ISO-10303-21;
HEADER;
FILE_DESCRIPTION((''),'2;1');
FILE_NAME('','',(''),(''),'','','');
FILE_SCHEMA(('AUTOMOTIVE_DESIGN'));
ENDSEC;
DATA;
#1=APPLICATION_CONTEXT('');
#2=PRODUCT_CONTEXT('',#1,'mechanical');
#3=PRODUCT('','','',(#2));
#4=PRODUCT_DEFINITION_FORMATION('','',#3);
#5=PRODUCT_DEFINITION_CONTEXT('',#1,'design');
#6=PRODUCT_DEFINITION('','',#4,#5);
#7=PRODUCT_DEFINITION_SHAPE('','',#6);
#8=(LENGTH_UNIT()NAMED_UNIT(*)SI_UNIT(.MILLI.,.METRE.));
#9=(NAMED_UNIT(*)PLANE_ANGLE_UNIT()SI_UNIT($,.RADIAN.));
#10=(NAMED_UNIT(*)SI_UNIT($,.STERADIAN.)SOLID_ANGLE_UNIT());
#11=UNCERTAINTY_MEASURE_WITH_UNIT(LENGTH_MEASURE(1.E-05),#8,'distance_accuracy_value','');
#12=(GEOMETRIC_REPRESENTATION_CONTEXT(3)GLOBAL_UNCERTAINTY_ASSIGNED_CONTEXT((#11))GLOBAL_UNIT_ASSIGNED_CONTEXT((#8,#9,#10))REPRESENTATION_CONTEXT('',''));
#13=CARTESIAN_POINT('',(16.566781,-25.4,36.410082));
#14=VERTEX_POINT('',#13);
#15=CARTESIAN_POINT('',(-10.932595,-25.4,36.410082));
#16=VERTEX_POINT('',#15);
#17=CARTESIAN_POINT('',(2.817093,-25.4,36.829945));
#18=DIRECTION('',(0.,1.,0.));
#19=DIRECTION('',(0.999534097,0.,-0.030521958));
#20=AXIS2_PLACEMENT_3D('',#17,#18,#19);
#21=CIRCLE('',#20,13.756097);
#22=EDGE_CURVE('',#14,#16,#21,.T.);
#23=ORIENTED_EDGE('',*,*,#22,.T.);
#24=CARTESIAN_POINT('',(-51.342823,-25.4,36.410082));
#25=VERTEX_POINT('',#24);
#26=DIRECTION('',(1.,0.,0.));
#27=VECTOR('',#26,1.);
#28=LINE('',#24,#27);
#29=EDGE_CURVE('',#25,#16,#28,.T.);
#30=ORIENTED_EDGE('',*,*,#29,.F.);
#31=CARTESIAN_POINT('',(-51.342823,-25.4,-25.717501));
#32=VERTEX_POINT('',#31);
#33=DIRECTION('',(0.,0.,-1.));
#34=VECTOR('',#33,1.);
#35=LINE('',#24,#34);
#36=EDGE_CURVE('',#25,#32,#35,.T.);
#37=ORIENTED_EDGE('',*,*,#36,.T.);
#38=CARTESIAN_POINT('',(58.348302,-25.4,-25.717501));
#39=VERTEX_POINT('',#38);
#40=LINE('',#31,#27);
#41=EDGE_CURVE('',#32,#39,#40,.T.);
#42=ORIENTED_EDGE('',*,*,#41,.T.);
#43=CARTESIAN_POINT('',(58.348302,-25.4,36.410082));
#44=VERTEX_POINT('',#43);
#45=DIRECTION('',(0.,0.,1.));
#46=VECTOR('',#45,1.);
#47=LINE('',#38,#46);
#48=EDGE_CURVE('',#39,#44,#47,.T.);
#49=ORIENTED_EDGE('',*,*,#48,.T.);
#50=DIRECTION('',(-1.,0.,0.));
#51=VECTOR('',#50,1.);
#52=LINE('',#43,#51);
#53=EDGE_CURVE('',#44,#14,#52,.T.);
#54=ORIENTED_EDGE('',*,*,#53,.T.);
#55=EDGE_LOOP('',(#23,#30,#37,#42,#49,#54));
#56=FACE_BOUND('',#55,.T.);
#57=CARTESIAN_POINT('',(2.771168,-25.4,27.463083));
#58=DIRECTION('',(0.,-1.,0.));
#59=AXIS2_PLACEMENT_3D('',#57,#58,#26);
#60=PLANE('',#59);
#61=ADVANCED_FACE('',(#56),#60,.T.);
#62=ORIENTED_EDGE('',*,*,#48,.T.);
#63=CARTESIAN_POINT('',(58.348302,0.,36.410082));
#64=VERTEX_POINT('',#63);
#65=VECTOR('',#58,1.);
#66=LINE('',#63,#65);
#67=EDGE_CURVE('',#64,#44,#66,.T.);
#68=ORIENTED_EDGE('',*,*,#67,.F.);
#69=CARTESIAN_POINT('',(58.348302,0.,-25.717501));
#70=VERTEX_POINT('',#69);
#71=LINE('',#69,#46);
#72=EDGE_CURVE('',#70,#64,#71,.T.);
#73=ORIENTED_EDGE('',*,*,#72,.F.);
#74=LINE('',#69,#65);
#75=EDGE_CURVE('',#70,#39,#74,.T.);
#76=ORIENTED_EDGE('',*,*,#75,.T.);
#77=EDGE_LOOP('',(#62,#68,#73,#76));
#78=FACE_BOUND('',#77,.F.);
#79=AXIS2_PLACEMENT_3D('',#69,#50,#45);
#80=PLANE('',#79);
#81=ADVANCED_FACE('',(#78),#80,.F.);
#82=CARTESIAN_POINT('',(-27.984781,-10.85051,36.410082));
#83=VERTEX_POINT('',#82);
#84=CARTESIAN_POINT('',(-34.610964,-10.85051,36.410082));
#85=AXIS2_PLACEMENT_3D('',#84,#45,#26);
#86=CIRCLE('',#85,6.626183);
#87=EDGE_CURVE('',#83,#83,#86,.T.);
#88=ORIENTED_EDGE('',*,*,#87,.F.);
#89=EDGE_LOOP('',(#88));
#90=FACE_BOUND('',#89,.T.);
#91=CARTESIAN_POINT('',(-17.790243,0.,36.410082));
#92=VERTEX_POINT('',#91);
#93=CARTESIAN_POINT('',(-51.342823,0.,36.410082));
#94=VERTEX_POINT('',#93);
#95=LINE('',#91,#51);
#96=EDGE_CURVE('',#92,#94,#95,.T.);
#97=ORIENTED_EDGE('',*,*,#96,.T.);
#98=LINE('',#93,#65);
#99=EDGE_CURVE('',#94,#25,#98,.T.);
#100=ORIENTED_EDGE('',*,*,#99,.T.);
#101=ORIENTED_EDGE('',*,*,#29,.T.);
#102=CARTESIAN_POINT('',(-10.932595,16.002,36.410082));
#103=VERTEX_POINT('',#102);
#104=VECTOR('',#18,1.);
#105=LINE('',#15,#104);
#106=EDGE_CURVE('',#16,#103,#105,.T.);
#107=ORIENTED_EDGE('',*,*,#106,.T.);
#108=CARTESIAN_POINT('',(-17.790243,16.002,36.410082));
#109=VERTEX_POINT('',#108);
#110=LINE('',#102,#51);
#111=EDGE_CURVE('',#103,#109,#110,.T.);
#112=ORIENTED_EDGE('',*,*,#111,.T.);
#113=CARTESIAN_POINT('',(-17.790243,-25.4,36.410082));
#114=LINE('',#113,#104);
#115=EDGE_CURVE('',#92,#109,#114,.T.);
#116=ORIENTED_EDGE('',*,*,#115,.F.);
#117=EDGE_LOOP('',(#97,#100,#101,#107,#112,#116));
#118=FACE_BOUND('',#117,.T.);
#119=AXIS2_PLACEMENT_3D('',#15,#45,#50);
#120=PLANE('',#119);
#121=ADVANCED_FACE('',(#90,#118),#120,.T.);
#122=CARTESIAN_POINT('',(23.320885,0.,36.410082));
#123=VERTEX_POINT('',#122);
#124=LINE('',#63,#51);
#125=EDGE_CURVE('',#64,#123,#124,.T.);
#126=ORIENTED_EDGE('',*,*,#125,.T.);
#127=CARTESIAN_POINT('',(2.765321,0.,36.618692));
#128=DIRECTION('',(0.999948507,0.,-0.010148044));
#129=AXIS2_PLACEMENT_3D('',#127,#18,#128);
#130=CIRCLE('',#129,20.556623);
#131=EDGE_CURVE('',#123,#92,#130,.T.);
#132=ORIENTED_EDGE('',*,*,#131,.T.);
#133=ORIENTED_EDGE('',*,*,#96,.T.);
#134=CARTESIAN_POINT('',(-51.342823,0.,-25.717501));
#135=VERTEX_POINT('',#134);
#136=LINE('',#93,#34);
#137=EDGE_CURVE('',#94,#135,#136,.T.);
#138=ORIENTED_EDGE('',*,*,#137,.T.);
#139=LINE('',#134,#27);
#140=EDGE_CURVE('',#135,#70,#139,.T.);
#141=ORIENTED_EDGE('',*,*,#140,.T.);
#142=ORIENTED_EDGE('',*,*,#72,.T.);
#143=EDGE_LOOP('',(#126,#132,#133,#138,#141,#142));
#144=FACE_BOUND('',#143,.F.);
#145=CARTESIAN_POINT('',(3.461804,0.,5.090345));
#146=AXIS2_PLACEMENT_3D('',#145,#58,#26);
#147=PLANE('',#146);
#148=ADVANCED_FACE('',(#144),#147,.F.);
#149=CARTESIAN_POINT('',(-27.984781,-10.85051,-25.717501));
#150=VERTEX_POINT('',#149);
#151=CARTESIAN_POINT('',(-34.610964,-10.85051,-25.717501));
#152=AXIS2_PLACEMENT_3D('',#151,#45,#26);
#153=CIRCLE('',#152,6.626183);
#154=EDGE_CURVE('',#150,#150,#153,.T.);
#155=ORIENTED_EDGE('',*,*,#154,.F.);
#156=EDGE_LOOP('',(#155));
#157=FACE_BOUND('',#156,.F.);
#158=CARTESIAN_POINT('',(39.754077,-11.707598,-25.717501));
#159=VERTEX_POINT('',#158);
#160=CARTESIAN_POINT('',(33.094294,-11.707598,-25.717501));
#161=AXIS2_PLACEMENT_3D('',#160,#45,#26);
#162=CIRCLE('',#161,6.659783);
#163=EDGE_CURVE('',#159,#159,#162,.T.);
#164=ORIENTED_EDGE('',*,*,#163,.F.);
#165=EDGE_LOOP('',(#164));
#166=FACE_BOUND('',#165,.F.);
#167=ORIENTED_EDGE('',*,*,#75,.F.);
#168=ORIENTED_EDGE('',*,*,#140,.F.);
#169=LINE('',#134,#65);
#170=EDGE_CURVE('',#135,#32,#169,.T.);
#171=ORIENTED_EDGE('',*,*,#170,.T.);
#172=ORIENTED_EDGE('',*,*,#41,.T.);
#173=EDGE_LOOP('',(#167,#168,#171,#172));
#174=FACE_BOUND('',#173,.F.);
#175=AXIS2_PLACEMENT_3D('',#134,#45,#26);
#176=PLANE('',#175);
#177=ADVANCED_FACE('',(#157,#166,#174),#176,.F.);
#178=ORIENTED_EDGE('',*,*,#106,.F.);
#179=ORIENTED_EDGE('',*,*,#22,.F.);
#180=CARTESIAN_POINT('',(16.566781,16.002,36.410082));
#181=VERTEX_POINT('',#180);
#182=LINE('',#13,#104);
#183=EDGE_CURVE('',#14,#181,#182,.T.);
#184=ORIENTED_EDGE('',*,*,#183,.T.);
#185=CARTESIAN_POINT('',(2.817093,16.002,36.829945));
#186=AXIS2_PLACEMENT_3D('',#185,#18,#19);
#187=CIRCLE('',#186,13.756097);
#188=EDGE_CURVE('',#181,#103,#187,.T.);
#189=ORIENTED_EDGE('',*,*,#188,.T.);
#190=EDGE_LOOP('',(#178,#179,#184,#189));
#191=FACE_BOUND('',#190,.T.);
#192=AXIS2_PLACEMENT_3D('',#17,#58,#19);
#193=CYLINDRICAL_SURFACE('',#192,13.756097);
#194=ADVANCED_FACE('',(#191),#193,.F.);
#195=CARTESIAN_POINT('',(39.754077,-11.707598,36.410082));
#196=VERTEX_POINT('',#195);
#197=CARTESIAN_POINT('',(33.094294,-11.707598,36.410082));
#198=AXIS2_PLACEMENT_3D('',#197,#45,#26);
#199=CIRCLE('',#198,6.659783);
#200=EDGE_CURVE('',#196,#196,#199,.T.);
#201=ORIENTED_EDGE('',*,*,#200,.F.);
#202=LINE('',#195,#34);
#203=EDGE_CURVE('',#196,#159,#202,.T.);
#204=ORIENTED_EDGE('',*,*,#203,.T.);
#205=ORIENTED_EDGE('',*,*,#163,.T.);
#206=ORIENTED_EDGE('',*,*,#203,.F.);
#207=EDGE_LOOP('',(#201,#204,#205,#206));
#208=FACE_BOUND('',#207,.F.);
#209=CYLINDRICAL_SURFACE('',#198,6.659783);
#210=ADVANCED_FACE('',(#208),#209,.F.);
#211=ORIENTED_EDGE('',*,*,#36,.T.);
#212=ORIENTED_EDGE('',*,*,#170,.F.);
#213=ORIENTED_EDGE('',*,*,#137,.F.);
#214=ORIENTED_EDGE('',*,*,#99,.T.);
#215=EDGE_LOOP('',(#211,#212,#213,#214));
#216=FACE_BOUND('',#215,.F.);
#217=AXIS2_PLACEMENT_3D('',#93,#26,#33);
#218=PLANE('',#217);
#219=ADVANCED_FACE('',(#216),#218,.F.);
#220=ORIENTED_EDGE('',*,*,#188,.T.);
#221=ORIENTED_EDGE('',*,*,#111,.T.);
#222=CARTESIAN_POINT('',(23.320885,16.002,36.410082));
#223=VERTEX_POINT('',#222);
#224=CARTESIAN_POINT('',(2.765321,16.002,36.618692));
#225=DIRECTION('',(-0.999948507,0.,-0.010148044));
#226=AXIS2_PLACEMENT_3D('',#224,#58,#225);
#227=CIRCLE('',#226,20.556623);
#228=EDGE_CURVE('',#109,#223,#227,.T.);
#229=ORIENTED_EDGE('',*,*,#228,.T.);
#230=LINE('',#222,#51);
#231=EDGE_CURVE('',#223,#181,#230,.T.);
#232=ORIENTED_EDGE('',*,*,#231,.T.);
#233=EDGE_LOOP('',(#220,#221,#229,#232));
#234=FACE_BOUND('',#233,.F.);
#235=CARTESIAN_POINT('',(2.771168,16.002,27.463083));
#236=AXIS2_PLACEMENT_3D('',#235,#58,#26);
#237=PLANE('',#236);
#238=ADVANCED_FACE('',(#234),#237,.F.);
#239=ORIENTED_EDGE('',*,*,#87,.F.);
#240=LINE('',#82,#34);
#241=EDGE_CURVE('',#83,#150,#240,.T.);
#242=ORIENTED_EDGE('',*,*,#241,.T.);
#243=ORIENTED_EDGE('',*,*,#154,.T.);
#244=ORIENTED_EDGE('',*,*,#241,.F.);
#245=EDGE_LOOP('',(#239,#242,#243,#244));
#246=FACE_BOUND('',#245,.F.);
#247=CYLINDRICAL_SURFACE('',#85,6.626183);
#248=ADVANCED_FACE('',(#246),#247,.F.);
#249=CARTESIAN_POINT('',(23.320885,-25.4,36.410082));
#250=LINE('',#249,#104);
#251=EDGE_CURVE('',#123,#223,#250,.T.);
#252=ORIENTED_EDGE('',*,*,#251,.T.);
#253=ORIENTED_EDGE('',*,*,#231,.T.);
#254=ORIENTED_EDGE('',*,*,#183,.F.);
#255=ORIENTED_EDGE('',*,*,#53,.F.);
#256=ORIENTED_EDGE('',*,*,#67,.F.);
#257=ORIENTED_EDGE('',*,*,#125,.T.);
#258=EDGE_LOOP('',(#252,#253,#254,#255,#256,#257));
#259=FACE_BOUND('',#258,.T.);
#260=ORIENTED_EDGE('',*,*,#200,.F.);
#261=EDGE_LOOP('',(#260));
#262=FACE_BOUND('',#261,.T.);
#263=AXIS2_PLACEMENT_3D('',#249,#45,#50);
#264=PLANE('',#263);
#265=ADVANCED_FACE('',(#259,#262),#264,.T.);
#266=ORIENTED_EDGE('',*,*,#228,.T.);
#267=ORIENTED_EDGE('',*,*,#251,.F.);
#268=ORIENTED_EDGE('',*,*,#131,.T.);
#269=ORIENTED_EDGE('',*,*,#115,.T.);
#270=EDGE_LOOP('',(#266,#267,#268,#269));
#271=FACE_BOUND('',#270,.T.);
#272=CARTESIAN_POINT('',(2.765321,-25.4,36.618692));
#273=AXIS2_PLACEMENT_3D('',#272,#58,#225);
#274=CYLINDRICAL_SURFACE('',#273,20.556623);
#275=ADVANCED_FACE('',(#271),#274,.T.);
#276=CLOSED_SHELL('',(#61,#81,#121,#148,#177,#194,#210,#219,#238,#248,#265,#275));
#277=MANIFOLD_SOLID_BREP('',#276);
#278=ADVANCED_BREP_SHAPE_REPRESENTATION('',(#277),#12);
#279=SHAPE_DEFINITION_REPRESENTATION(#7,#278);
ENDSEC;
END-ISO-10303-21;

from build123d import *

# Parameters (mm, degrees)
F1_DEPTH = 25.4
F3_DEPTH = 41.402
F4_R     = 6.626183
F6_DEPTH = 212.598
F5_R     = 6.659783
F7_DEPTH = 146.05


with BuildPart() as f1:
    # F0 (on Front) → F1 (new body)
    with BuildSketch(Plane.XZ):
        with BuildLine():
            Line((-17.790243, 36.410082), (-51.342823, 36.410082))
            Line((-51.342823, 36.410082), (-51.342823, -25.717501))
            Line((-51.342823, -25.717501), (58.348302, -25.717501))
            Line((58.348302, -25.717501), (58.348302, 36.410082))
            Line((58.348302, 36.410082), (23.320885, 36.410082))
            ThreePointArc((23.320885, 36.410082), (2.765321, 16.062069), (-17.790243, 36.410082))
        make_face()
    extrude(amount=F1_DEPTH)

    # F2 (on face) → F3 (join)
    with BuildSketch(Plane.XZ.offset(25.4)):
        with BuildLine():
            Line((-10.932595, 36.410082), (-17.790243, 36.410082))
            ThreePointArc((-17.790243, 36.410082), (2.765321, 16.062069), (23.320885, 36.410082))
            Line((23.320885, 36.410082), (16.566781, 36.410082))
            ThreePointArc((16.566781, 36.410082), (2.817093, 23.073848), (-10.932595, 36.410082))
        make_face()
    extrude(amount=-F3_DEPTH)

    # F4 (on face) → F6 (cut)
    with BuildSketch(Plane.XY.offset(36.410082)):
        with Locations((-34.610964, -10.85051)):
            Circle(F4_R)
    extrude(amount=-F6_DEPTH, mode=Mode.SUBTRACT)

    # F5 (on face) → F7 (cut)
    with BuildSketch(Plane.XY.offset(36.410082)):
        with Locations((33.094294, -11.707598)):
            Circle(F5_R)
    extrude(amount=-F7_DEPTH, mode=Mode.SUBTRACT)


solid = f1.part
